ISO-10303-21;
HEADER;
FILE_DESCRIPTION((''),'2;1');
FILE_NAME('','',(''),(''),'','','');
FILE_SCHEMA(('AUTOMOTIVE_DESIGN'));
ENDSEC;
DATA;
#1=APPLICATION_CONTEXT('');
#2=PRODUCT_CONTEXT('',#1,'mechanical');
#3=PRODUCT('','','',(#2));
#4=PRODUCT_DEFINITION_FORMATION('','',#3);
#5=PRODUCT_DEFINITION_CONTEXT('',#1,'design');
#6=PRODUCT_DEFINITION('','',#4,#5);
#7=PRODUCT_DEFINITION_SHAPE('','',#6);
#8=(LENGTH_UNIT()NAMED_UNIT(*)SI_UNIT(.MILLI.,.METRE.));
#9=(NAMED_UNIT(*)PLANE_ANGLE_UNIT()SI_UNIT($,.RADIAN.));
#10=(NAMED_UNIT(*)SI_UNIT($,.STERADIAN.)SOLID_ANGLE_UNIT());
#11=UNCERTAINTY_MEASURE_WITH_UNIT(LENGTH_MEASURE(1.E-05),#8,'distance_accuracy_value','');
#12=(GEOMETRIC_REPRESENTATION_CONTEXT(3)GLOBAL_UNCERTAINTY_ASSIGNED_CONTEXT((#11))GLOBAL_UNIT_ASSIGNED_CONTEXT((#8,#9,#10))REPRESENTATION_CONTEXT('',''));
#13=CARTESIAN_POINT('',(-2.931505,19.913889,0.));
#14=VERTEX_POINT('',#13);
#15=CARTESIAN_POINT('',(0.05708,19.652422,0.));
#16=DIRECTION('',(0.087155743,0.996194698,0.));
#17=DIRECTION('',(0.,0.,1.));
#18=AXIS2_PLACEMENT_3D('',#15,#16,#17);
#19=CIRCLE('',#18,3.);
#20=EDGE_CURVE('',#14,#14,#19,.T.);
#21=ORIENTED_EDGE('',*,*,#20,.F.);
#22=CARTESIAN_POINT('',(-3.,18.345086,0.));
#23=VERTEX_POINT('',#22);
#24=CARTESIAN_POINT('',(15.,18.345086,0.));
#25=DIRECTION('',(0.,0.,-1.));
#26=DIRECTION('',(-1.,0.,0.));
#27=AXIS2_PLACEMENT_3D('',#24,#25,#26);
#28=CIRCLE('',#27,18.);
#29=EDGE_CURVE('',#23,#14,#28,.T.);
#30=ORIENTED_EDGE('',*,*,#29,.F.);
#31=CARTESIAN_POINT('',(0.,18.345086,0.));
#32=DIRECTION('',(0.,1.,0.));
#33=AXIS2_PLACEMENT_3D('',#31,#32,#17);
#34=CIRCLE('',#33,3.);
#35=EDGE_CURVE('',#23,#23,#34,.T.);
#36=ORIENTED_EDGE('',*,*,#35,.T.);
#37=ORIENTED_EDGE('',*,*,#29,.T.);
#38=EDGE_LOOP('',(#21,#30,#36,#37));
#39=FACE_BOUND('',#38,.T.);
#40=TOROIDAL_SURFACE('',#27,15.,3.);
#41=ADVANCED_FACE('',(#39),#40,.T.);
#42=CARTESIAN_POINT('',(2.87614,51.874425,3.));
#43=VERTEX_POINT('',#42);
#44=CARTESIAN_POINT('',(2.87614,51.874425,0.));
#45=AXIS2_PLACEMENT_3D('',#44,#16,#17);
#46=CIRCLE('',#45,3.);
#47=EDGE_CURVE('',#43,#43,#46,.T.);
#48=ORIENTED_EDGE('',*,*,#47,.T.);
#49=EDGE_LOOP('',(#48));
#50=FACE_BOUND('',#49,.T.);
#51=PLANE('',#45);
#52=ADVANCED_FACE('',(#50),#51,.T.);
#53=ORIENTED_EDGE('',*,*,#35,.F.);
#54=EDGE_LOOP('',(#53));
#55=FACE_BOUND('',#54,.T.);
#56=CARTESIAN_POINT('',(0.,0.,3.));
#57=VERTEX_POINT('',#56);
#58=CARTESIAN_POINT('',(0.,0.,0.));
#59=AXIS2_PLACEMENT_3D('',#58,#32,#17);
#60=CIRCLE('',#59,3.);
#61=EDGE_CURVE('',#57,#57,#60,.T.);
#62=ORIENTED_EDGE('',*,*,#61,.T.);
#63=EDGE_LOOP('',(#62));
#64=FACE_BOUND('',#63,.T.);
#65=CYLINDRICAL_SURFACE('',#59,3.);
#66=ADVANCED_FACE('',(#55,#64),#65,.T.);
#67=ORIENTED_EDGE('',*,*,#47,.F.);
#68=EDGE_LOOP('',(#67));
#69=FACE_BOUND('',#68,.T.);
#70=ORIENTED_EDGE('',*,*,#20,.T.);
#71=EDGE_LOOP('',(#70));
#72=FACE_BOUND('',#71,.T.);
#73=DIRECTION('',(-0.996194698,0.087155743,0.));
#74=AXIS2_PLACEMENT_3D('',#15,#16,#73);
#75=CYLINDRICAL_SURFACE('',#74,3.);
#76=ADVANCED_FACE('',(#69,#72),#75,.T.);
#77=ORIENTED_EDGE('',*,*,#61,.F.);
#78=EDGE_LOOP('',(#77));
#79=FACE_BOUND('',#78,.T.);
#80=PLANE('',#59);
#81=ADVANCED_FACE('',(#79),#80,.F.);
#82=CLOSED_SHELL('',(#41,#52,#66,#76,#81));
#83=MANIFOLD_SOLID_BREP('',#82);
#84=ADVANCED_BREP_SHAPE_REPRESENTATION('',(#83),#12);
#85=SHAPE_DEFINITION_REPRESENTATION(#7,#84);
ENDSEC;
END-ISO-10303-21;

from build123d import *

# Parameters (mm, degrees)
SKETCH2_R = 3


with BuildPart() as part:
    # Sweep1: sweep along a path in Sketch1
    with BuildLine(Plane.XY) as sweep1_path:
        Line((0, 0), (0, 18.345085856))
        ThreePointArc((0, 18.345085856), (0.014276676, 18.999376667), (0.057079529, 19.652421998))
        Line((0.057079529, 19.652421998), (2.876139511, 51.874425037))
    # Sketch2 → Sweep1 (sweep)
    with BuildSketch(Plane(origin=(0, 0, 0), x_dir=(1, 0, 0), z_dir=(0, 1, 0))):
        Circle(SKETCH2_R)
    sweep(path=sweep1_path.line)


solid = part.part
